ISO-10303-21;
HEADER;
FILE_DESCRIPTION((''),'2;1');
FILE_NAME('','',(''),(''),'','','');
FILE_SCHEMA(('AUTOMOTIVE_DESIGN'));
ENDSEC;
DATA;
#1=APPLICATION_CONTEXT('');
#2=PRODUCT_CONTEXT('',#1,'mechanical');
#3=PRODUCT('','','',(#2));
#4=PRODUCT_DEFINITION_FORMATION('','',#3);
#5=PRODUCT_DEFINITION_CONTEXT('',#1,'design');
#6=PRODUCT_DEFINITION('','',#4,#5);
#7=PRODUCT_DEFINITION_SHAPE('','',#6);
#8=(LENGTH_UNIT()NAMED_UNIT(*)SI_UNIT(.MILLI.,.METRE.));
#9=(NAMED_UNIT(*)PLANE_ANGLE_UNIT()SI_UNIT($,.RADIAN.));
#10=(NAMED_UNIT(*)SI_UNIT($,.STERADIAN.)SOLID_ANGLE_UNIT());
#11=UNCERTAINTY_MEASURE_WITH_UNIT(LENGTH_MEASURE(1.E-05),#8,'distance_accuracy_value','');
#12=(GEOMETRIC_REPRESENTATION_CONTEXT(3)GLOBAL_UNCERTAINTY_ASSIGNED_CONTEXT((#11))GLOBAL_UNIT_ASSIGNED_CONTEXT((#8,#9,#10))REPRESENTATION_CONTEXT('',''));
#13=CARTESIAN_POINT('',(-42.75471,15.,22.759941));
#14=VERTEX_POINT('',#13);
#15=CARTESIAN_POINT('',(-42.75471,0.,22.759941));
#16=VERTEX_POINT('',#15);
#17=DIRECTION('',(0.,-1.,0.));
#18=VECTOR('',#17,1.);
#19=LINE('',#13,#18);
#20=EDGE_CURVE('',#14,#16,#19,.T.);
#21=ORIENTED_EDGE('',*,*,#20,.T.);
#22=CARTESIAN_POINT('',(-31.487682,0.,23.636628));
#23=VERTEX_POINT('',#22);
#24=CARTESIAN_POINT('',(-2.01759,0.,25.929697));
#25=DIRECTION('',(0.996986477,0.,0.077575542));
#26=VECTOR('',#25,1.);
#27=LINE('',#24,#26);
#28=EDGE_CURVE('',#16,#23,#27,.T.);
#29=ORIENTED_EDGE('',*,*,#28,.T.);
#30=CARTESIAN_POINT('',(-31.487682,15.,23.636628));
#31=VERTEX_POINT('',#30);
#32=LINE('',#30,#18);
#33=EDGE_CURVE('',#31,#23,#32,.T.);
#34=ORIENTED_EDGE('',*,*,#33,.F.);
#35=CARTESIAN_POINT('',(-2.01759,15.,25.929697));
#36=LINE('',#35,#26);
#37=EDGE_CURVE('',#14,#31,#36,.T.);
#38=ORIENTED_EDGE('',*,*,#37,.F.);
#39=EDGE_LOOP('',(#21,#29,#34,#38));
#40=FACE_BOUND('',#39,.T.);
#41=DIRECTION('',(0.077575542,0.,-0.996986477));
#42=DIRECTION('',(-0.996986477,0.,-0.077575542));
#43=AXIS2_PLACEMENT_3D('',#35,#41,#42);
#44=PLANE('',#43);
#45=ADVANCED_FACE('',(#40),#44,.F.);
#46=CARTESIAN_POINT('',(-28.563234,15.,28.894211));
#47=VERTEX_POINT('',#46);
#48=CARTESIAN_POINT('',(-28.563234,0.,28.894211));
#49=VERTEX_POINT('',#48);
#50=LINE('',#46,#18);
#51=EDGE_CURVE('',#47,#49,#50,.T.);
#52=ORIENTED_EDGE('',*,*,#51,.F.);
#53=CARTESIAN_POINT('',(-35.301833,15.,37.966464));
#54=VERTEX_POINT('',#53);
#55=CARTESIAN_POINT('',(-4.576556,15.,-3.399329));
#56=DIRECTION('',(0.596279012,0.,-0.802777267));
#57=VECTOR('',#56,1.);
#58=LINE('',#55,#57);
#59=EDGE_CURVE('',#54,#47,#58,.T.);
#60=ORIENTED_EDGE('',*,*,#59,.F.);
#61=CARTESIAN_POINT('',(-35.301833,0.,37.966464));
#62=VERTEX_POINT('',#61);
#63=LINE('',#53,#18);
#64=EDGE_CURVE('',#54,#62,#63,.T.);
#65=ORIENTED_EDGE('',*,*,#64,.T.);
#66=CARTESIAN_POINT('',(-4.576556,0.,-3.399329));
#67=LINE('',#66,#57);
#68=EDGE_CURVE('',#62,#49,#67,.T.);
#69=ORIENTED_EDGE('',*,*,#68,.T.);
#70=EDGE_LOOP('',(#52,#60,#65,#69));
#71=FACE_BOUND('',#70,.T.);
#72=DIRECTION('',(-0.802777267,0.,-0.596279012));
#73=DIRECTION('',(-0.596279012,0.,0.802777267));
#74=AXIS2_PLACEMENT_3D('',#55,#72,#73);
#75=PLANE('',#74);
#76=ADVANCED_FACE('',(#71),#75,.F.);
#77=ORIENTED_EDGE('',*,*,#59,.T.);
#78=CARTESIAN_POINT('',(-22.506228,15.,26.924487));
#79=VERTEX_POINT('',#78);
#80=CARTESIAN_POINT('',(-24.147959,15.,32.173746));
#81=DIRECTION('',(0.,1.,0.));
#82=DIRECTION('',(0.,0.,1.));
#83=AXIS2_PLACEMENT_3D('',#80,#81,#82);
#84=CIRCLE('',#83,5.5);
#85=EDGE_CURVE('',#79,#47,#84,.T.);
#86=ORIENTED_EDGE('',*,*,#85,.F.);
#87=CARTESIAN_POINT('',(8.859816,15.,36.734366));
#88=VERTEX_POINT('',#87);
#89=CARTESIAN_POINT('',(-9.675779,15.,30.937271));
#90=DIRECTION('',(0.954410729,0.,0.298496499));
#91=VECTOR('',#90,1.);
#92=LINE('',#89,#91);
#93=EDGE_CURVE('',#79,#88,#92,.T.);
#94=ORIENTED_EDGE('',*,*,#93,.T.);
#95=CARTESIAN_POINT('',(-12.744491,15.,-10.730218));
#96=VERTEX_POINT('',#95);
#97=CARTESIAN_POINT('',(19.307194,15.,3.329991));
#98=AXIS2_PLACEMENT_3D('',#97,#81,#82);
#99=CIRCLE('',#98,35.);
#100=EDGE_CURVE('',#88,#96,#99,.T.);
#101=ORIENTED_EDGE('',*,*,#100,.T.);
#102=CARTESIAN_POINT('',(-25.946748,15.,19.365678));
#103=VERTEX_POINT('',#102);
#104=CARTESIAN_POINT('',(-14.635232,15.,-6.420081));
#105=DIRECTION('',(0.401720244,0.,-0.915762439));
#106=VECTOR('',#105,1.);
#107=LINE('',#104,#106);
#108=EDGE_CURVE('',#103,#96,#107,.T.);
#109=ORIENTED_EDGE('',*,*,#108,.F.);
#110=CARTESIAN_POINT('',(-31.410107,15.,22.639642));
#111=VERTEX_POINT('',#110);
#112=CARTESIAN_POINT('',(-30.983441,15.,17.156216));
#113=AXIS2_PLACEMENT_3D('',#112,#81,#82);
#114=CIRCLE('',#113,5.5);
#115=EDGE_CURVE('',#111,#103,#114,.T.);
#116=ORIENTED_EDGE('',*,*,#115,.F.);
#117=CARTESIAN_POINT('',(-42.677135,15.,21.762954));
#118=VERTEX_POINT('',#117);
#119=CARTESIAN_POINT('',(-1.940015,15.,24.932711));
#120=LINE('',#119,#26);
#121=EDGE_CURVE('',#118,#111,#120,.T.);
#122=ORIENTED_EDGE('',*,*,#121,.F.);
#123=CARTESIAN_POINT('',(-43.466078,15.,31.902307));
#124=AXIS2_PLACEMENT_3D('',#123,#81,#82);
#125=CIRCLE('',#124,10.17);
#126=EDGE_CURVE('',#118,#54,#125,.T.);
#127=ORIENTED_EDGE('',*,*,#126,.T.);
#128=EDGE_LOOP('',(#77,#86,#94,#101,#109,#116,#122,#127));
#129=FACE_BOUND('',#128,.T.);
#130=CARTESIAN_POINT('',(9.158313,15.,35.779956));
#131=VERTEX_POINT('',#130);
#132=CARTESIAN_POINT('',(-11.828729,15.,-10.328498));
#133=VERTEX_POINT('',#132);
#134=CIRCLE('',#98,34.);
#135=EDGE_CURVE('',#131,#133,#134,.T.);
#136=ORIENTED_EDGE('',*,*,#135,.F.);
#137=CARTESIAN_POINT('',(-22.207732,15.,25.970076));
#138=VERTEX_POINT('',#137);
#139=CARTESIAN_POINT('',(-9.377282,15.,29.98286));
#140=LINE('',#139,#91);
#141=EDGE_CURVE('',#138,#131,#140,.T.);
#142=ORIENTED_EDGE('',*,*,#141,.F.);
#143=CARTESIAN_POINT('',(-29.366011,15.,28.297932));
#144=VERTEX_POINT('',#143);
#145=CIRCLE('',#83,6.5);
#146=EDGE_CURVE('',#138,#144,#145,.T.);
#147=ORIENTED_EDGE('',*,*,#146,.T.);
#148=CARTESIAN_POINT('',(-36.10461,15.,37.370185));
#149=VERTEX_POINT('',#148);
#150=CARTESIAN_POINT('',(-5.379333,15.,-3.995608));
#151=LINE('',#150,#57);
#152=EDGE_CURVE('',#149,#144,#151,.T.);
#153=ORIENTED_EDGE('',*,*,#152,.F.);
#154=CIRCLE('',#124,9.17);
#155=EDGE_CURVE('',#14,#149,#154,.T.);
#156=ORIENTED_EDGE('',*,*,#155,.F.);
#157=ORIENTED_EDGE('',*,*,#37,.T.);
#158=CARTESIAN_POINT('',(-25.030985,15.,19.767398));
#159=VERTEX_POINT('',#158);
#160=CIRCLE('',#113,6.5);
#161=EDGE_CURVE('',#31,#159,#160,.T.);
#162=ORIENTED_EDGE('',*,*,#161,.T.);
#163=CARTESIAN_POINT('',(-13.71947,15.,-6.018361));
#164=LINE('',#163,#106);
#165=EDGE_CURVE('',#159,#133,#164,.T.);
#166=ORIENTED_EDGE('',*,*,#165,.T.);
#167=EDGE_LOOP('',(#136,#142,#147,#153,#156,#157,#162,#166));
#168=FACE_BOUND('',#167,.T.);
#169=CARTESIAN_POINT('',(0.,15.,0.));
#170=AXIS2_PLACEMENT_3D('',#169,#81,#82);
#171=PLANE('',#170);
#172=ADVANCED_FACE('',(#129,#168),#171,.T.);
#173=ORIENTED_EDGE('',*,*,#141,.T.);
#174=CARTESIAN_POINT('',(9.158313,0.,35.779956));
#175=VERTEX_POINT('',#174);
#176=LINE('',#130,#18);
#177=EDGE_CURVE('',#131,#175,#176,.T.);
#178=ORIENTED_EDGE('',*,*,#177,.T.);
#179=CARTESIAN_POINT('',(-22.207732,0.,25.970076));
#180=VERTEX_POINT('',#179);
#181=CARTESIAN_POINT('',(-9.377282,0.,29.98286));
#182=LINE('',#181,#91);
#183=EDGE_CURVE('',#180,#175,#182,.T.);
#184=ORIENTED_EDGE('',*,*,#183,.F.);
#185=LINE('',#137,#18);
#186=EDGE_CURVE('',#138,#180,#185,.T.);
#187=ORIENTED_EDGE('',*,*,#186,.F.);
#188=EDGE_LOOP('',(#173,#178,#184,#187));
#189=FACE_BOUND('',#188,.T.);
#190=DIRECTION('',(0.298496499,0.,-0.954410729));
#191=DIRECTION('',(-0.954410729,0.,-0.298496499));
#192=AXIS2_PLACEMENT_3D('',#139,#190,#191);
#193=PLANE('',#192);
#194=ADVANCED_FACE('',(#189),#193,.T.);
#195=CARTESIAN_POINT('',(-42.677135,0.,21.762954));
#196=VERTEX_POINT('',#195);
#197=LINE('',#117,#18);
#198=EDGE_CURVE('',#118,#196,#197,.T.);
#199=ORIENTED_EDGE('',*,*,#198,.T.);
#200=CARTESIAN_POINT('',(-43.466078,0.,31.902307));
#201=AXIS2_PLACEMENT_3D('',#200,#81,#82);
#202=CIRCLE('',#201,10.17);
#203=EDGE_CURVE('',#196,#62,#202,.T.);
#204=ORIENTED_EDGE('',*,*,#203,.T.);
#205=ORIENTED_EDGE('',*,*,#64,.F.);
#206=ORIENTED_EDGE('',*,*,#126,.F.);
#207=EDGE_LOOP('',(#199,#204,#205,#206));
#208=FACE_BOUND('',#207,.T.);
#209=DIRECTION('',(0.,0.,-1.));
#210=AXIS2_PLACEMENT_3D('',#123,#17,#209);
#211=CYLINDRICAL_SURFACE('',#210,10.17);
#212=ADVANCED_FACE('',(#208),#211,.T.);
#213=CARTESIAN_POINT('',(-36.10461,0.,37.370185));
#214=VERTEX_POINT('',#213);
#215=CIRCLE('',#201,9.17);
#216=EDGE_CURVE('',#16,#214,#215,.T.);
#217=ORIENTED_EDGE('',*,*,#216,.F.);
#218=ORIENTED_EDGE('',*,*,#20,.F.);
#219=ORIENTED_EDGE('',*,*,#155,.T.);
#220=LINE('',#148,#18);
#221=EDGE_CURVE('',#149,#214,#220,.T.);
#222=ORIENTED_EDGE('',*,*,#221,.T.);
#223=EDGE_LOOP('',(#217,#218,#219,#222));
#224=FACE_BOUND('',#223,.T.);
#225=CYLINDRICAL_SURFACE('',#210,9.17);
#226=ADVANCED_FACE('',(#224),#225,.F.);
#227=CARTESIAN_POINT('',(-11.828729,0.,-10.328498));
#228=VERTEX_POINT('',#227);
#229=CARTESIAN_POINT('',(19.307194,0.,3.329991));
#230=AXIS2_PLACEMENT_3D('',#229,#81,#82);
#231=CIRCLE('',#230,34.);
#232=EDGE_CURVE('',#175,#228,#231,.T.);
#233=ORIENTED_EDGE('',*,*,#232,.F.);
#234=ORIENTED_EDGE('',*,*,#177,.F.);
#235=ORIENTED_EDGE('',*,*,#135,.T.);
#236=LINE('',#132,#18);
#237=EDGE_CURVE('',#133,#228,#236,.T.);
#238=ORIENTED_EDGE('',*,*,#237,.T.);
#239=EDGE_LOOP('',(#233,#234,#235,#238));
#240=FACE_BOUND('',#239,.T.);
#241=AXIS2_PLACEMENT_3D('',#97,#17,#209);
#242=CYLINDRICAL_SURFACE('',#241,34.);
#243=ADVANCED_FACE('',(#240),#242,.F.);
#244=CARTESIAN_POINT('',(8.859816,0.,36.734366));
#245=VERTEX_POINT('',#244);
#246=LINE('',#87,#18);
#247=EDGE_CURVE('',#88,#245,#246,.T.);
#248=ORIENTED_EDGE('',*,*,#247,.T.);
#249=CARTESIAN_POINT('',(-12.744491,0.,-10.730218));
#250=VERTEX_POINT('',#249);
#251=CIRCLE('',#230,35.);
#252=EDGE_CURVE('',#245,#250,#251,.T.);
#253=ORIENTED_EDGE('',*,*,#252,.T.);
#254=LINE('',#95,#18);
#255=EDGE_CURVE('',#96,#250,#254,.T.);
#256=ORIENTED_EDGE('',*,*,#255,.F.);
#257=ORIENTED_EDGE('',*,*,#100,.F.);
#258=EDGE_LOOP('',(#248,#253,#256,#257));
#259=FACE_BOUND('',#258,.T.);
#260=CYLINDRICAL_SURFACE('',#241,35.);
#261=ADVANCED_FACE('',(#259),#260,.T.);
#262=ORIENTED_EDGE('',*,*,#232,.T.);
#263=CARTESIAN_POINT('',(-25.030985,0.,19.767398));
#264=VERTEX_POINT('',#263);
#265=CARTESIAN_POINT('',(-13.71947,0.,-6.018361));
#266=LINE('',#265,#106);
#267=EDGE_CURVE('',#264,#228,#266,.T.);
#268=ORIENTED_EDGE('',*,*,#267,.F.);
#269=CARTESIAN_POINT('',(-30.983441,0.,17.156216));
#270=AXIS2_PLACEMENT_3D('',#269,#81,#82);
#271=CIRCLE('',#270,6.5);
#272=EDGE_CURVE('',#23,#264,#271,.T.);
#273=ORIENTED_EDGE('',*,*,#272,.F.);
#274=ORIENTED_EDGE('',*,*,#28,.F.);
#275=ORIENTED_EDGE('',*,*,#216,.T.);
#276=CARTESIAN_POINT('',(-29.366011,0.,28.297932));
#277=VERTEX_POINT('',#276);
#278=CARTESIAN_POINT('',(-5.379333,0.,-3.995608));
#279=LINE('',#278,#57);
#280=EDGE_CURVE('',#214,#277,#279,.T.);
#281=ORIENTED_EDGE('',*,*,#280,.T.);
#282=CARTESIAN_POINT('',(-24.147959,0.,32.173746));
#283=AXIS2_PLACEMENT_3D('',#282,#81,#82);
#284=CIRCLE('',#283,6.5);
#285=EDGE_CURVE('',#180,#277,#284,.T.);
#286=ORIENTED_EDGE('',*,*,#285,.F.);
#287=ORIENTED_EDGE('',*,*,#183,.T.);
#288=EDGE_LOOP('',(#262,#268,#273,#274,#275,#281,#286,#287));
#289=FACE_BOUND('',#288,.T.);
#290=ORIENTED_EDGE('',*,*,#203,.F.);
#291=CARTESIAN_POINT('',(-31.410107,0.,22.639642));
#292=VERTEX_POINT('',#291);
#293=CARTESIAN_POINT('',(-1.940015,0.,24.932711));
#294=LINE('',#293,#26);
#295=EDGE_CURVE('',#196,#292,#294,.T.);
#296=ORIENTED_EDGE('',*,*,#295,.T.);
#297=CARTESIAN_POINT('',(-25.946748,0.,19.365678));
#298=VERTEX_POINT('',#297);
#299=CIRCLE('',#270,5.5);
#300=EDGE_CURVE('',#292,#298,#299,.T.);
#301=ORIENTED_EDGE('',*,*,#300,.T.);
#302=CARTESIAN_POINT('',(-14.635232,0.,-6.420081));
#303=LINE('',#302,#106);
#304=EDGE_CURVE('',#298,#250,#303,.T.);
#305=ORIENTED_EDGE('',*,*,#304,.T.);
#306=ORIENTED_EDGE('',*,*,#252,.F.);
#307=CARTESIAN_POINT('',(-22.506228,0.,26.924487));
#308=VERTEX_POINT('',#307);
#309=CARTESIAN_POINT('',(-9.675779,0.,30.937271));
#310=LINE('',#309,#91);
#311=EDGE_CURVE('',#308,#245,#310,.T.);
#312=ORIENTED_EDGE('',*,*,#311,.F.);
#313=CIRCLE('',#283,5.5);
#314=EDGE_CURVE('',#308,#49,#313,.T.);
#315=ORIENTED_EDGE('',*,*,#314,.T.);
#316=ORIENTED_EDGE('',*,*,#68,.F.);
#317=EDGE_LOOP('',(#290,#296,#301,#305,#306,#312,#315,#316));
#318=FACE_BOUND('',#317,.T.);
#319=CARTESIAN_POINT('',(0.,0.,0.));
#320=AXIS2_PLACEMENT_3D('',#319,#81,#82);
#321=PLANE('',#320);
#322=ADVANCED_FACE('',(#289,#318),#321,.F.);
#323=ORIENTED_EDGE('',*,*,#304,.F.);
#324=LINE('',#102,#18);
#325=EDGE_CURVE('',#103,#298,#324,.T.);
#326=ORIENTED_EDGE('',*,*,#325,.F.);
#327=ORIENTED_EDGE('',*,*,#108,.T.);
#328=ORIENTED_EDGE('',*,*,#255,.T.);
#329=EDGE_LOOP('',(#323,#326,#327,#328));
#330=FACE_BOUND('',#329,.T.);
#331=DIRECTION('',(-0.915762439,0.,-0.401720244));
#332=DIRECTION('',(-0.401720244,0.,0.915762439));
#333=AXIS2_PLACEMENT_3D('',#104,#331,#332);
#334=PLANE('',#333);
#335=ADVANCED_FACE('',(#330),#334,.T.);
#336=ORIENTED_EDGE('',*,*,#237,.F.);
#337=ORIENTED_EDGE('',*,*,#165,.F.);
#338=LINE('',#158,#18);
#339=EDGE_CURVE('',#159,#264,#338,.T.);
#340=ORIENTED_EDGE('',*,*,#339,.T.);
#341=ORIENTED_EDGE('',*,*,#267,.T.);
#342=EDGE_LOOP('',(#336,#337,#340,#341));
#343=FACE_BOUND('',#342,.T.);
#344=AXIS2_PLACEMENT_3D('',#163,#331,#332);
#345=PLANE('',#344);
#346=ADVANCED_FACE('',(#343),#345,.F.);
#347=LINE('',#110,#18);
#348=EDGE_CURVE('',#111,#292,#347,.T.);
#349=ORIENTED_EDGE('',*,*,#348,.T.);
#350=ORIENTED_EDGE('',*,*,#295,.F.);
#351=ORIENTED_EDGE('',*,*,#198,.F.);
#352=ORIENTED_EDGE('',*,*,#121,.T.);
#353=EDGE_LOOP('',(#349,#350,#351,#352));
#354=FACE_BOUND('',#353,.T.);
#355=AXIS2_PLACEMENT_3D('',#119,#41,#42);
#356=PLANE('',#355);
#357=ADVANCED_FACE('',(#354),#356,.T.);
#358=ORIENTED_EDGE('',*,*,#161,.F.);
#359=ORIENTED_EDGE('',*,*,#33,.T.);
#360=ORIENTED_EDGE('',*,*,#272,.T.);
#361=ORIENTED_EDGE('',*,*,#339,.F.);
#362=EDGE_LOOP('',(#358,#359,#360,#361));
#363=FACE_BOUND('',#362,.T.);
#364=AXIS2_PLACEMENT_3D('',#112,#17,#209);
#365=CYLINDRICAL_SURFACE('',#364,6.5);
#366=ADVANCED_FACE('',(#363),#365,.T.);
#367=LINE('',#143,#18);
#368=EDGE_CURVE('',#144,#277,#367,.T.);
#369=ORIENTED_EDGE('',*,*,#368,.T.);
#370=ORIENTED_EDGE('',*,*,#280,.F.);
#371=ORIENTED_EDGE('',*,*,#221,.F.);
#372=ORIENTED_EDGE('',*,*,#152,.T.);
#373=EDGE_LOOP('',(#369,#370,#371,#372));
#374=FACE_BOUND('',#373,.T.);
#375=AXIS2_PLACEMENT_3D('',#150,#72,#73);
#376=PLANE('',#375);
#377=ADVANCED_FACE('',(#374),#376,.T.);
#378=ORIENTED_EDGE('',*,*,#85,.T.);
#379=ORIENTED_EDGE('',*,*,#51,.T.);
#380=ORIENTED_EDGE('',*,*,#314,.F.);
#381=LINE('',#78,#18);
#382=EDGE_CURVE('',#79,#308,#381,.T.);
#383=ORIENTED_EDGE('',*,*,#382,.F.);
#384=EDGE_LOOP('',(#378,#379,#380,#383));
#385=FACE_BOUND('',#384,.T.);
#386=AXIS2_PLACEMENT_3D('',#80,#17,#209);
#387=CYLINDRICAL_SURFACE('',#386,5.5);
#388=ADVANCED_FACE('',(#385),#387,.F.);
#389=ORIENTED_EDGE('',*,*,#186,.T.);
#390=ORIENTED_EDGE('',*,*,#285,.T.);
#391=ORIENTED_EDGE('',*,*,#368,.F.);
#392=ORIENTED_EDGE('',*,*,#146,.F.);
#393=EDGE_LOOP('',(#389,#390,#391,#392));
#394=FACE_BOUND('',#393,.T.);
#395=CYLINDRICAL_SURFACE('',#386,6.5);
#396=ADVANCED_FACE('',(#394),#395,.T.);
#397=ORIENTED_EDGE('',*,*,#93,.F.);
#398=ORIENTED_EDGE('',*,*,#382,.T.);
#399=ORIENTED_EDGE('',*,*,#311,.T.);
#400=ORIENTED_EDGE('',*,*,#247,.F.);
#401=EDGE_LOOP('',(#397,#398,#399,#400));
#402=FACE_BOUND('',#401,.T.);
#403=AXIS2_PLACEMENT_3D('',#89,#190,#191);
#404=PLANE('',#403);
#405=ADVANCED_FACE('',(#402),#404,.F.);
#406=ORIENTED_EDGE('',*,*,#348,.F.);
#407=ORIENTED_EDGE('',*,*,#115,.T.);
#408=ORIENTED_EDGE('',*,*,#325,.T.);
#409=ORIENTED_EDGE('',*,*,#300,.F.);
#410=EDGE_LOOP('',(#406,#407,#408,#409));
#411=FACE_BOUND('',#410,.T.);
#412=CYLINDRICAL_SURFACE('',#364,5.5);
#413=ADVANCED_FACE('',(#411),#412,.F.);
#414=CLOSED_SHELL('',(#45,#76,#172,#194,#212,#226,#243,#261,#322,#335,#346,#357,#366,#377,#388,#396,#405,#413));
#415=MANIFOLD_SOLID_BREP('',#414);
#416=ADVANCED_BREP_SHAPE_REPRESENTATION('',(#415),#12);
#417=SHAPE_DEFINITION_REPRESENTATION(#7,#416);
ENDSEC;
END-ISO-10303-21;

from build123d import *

# Parameters (mm, degrees)
BOSS_EXTRUDE1_DEPTH = 15


with BuildPart() as part:
    # Sketch1 → Boss-Extrude1 (new body)
    with BuildSketch(Plane(origin=(0, 0, 0), x_dir=(1, 0, 0), z_dir=(0, 1, 0))):
        with BuildLine():
            ThreePointArc((8.85981646, -36.734366282), (51.162558776, 11.169517142), (-12.744491466, 10.7302178))
            Line((-12.744491466, 10.7302178), (-25.946747838, -19.365677712))
            ThreePointArc((-25.946747838, -19.365677712), (-28.156287224, -21.87397008), (-31.410106737, -22.639641991))
            Line((-31.410106737, -22.639641991), (-42.677134679, -21.762954271))
            ThreePointArc((-42.677134679, -21.762954271), (-52.722336819, -36.115449465), (-35.30183314, -37.966464293))
            Line((-35.30183314, -37.966464293), (-28.563233928, -28.894210954))
            ThreePointArc((-28.563233928, -28.894210954), (-25.848867686, -26.943362215), (-22.506228219, -26.924486508))
            Line((-22.506228219, -26.924486508), (8.85981646, -36.734366282))
        make_face()
        with BuildLine():
            Line((-42.754710221, -22.759940748), (-31.487682279, -23.636628468))
            ThreePointArc((-31.487682279, -23.636628468), (-27.642259218, -22.731743482), (-25.030985399, -19.767397956))
            Line((-25.030985399, -19.767397956), (-11.828729026, 10.328497556))
            ThreePointArc((-11.828729026, 10.328497556), (50.252405495, 10.755245488), (9.158312959, -35.779955553))
            Line((9.158312959, -35.779955553), (-22.20773172, -25.970075778))
            ThreePointArc((-22.20773172, -25.970075778), (-26.158123817, -25.992383432), (-29.366011194, -28.297931942))
            Line((-29.366011194, -28.297931942), (-36.104610407, -37.370185281))
            ThreePointArc((-36.104610407, -37.370185281), (-51.812183538, -35.701177811), (-42.754710221, -22.759940748))
        make_face(mode=Mode.SUBTRACT)
    extrude(amount=BOSS_EXTRUDE1_DEPTH)


solid = part.part
